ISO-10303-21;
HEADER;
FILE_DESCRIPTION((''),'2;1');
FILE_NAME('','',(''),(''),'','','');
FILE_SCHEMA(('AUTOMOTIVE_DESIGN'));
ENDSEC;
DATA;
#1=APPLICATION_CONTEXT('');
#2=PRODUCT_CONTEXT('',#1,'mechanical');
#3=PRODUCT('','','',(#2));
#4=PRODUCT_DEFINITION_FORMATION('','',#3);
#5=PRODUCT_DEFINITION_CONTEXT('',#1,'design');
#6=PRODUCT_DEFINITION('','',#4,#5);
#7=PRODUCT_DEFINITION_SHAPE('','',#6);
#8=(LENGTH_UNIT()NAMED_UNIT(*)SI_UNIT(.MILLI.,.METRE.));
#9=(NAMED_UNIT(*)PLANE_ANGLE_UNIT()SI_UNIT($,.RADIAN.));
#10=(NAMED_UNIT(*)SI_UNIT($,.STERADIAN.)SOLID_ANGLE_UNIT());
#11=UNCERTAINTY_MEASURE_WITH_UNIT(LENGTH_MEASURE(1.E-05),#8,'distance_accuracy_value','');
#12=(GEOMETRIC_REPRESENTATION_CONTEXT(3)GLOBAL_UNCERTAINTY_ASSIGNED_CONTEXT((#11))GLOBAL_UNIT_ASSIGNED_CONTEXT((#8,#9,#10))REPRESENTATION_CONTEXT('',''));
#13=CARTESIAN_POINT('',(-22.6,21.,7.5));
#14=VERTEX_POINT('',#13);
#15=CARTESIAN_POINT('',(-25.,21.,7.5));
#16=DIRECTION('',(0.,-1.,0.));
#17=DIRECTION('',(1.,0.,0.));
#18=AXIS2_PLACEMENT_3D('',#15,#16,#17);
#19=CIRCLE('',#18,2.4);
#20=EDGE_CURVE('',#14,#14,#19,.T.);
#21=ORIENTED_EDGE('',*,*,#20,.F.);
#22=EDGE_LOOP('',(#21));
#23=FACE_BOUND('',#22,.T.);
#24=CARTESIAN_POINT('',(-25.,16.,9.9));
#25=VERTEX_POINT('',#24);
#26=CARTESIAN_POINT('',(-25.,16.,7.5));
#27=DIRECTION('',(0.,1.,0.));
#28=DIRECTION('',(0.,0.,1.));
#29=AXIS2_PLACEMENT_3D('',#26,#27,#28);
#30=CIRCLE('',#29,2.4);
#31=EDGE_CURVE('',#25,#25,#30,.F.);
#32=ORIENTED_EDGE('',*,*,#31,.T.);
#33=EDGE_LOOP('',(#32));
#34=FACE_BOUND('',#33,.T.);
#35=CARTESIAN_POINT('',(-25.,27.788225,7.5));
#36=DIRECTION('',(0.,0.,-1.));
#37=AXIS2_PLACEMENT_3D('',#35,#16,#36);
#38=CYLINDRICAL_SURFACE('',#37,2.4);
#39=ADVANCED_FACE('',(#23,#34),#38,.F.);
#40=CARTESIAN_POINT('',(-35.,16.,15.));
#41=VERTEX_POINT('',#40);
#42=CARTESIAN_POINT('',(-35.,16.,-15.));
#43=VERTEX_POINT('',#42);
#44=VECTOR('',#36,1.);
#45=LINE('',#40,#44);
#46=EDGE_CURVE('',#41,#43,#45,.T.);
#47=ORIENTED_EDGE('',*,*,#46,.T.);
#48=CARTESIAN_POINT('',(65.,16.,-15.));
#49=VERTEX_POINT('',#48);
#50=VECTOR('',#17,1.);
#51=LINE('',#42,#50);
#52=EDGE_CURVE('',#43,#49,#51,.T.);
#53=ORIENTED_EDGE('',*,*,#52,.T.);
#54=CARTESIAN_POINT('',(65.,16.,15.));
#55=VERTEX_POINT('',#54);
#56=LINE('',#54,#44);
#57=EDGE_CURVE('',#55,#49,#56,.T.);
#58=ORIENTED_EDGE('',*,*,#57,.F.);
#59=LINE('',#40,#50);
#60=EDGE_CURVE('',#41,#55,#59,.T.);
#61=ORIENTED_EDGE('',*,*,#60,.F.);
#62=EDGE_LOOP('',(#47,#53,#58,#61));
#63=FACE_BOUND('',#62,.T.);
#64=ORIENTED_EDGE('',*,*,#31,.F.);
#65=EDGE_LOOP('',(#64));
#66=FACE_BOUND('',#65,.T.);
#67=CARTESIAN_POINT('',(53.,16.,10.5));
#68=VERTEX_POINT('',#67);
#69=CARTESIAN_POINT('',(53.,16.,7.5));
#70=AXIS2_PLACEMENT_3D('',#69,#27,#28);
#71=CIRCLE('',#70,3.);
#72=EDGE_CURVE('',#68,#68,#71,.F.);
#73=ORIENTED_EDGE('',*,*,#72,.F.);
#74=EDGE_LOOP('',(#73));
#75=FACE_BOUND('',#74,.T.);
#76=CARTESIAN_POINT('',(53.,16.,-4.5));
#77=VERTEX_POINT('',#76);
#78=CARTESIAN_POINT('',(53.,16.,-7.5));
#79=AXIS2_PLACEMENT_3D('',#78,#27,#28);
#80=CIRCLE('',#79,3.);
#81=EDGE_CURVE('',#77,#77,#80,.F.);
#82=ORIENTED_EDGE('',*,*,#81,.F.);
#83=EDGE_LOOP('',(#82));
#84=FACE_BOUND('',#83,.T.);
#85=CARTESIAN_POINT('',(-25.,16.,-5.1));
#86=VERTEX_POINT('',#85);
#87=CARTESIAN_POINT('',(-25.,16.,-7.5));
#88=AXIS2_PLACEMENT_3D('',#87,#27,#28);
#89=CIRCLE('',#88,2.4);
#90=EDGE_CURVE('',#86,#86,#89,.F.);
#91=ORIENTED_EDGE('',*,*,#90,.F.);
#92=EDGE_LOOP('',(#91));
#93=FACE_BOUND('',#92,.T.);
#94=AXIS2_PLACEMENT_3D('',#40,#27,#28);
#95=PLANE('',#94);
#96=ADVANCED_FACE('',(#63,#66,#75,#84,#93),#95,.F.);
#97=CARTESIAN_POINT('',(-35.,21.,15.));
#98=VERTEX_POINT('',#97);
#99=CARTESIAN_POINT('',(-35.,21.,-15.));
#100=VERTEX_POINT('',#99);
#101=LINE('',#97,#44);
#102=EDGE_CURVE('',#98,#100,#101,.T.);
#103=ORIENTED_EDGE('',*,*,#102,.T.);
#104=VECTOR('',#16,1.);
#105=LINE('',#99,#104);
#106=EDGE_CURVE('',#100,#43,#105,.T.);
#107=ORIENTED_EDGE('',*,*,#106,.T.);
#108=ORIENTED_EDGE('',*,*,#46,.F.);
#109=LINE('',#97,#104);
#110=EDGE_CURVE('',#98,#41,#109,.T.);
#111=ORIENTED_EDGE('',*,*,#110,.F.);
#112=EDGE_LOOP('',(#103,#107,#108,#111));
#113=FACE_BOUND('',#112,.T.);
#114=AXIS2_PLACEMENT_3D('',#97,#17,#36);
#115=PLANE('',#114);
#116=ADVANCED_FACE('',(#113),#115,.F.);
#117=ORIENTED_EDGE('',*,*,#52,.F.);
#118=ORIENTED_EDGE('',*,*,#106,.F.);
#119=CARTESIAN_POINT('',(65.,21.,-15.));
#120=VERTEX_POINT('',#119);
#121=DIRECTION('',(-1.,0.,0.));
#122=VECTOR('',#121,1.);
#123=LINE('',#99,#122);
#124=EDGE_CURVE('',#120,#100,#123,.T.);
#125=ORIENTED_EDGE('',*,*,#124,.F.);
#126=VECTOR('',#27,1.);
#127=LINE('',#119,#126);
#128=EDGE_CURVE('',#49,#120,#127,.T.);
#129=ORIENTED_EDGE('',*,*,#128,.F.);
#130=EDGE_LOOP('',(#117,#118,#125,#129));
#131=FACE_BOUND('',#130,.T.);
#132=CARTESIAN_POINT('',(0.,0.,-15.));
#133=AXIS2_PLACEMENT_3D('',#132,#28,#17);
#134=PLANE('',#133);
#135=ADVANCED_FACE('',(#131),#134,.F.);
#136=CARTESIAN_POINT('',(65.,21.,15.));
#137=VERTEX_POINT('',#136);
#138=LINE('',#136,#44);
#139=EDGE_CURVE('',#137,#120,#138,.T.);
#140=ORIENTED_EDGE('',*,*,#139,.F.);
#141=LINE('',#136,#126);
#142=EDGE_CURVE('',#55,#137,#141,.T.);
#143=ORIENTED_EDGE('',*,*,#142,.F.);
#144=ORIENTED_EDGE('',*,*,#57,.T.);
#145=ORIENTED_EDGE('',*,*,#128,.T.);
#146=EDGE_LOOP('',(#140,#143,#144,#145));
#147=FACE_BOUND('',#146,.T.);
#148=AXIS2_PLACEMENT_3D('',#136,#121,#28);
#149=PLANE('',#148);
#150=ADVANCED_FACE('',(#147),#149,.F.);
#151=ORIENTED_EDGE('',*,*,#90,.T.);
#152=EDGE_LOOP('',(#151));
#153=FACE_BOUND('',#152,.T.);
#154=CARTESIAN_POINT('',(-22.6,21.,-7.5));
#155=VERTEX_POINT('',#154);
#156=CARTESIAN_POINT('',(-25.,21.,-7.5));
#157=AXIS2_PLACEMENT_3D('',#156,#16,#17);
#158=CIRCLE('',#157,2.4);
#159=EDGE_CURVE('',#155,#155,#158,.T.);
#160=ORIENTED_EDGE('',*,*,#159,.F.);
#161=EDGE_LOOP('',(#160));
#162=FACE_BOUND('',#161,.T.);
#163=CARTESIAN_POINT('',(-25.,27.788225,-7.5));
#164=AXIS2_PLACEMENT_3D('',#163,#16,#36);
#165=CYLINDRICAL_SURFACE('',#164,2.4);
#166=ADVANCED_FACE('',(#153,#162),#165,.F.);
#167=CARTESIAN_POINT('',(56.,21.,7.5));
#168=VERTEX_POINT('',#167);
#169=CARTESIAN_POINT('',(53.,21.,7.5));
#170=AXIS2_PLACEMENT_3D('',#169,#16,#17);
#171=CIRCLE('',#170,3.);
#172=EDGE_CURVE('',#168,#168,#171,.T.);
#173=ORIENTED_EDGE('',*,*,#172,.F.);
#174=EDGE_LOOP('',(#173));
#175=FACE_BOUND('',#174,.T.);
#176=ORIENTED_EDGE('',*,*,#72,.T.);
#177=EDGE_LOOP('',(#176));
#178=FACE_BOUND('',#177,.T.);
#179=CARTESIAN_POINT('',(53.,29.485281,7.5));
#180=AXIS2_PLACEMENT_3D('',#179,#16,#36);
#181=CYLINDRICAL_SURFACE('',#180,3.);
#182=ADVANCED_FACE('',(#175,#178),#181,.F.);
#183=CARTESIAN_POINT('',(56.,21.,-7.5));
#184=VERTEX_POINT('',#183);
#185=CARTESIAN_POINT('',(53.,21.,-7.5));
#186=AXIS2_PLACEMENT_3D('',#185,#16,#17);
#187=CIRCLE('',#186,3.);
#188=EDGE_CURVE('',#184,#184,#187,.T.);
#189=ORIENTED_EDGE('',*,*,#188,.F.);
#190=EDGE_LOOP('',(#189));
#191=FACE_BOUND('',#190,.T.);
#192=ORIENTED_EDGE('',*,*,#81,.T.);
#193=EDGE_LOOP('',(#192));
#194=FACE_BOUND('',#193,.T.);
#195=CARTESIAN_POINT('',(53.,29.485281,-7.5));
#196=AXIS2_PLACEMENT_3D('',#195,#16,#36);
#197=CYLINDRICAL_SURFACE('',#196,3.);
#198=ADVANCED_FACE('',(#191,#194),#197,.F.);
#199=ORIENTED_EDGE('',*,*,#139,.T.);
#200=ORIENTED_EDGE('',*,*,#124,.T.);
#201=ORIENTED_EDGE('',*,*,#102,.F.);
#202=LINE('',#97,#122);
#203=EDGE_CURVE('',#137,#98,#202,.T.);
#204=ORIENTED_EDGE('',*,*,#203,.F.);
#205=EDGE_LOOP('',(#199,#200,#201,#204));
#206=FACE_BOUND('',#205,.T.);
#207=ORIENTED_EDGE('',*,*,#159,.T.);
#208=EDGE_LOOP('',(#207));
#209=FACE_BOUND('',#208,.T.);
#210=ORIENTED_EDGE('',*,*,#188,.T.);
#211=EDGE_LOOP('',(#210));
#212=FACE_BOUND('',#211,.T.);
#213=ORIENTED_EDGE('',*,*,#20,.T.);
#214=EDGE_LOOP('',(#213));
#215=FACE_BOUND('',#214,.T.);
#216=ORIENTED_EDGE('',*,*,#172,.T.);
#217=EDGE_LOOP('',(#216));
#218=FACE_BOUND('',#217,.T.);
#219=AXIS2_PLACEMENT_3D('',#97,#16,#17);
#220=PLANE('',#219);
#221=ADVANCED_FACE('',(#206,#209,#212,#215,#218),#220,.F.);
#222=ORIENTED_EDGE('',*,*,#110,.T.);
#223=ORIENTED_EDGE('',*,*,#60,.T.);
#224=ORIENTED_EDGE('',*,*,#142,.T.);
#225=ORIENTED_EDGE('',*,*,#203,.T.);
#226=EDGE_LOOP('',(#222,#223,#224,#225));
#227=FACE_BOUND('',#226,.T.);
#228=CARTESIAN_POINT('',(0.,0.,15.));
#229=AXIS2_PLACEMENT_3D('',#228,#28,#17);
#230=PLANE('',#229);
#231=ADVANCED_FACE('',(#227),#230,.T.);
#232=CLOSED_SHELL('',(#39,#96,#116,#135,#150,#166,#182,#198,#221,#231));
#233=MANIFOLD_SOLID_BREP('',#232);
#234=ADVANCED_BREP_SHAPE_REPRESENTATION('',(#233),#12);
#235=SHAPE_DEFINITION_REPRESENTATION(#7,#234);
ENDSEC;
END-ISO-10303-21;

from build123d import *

# Parameters (mm, degrees)
SKIZZE3_W                            = 100
SKIZZE3_H                            = 5
AUFSATZ_LINEAR_AUSTRAGEN1_DEPTH      = 15
AUFSATZ_LINEAR_AUSTRAGEN1_DEPTH_BACK = 15
SKIZZE8_R                            = 3
SCHNITT_LINEAR_AUSTRAGEN1_DEPTH      = 21
SKIZZE10_R                           = 2.4
SCHNITT_LINEAR_AUSTRAGEN2_DEPTH      = 21


with BuildPart() as part:
    # Skizze3 → Aufsatz-Linear austragen1 (new body, two sides)
    with BuildSketch(Plane.XY) as aufsatz_linear_austragen1_sk:
        with Locations((15, 18.5)):
            Rectangle(SKIZZE3_W, SKIZZE3_H)
    extrude(amount=AUFSATZ_LINEAR_AUSTRAGEN1_DEPTH)
    extrude(aufsatz_linear_austragen1_sk.sketch, amount=-AUFSATZ_LINEAR_AUSTRAGEN1_DEPTH_BACK)

    # Skizze8 → Schnitt-Linear austragen1 (cut)
    with BuildSketch(Plane(origin=(0, 0, 0), x_dir=(1, 0, 0), z_dir=(0, 1, 0))):
        with Locations((53, 7.5)):
            Circle(SKIZZE8_R)
        with Locations((53, -7.5)):
            Circle(SKIZZE8_R)
    extrude(amount=SCHNITT_LINEAR_AUSTRAGEN1_DEPTH, mode=Mode.SUBTRACT)

    # Skizze10 → Schnitt-Linear austragen2 (cut)
    with BuildSketch(Plane(origin=(0, 0, 0), x_dir=(1, 0, 0), z_dir=(0, 1, 0))):
        with Locations((-25, 7.5)):
            Circle(SKIZZE10_R)
        with Locations((-25, -7.5)):
            Circle(SKIZZE10_R)
    extrude(amount=SCHNITT_LINEAR_AUSTRAGEN2_DEPTH, mode=Mode.SUBTRACT)


solid = part.part
